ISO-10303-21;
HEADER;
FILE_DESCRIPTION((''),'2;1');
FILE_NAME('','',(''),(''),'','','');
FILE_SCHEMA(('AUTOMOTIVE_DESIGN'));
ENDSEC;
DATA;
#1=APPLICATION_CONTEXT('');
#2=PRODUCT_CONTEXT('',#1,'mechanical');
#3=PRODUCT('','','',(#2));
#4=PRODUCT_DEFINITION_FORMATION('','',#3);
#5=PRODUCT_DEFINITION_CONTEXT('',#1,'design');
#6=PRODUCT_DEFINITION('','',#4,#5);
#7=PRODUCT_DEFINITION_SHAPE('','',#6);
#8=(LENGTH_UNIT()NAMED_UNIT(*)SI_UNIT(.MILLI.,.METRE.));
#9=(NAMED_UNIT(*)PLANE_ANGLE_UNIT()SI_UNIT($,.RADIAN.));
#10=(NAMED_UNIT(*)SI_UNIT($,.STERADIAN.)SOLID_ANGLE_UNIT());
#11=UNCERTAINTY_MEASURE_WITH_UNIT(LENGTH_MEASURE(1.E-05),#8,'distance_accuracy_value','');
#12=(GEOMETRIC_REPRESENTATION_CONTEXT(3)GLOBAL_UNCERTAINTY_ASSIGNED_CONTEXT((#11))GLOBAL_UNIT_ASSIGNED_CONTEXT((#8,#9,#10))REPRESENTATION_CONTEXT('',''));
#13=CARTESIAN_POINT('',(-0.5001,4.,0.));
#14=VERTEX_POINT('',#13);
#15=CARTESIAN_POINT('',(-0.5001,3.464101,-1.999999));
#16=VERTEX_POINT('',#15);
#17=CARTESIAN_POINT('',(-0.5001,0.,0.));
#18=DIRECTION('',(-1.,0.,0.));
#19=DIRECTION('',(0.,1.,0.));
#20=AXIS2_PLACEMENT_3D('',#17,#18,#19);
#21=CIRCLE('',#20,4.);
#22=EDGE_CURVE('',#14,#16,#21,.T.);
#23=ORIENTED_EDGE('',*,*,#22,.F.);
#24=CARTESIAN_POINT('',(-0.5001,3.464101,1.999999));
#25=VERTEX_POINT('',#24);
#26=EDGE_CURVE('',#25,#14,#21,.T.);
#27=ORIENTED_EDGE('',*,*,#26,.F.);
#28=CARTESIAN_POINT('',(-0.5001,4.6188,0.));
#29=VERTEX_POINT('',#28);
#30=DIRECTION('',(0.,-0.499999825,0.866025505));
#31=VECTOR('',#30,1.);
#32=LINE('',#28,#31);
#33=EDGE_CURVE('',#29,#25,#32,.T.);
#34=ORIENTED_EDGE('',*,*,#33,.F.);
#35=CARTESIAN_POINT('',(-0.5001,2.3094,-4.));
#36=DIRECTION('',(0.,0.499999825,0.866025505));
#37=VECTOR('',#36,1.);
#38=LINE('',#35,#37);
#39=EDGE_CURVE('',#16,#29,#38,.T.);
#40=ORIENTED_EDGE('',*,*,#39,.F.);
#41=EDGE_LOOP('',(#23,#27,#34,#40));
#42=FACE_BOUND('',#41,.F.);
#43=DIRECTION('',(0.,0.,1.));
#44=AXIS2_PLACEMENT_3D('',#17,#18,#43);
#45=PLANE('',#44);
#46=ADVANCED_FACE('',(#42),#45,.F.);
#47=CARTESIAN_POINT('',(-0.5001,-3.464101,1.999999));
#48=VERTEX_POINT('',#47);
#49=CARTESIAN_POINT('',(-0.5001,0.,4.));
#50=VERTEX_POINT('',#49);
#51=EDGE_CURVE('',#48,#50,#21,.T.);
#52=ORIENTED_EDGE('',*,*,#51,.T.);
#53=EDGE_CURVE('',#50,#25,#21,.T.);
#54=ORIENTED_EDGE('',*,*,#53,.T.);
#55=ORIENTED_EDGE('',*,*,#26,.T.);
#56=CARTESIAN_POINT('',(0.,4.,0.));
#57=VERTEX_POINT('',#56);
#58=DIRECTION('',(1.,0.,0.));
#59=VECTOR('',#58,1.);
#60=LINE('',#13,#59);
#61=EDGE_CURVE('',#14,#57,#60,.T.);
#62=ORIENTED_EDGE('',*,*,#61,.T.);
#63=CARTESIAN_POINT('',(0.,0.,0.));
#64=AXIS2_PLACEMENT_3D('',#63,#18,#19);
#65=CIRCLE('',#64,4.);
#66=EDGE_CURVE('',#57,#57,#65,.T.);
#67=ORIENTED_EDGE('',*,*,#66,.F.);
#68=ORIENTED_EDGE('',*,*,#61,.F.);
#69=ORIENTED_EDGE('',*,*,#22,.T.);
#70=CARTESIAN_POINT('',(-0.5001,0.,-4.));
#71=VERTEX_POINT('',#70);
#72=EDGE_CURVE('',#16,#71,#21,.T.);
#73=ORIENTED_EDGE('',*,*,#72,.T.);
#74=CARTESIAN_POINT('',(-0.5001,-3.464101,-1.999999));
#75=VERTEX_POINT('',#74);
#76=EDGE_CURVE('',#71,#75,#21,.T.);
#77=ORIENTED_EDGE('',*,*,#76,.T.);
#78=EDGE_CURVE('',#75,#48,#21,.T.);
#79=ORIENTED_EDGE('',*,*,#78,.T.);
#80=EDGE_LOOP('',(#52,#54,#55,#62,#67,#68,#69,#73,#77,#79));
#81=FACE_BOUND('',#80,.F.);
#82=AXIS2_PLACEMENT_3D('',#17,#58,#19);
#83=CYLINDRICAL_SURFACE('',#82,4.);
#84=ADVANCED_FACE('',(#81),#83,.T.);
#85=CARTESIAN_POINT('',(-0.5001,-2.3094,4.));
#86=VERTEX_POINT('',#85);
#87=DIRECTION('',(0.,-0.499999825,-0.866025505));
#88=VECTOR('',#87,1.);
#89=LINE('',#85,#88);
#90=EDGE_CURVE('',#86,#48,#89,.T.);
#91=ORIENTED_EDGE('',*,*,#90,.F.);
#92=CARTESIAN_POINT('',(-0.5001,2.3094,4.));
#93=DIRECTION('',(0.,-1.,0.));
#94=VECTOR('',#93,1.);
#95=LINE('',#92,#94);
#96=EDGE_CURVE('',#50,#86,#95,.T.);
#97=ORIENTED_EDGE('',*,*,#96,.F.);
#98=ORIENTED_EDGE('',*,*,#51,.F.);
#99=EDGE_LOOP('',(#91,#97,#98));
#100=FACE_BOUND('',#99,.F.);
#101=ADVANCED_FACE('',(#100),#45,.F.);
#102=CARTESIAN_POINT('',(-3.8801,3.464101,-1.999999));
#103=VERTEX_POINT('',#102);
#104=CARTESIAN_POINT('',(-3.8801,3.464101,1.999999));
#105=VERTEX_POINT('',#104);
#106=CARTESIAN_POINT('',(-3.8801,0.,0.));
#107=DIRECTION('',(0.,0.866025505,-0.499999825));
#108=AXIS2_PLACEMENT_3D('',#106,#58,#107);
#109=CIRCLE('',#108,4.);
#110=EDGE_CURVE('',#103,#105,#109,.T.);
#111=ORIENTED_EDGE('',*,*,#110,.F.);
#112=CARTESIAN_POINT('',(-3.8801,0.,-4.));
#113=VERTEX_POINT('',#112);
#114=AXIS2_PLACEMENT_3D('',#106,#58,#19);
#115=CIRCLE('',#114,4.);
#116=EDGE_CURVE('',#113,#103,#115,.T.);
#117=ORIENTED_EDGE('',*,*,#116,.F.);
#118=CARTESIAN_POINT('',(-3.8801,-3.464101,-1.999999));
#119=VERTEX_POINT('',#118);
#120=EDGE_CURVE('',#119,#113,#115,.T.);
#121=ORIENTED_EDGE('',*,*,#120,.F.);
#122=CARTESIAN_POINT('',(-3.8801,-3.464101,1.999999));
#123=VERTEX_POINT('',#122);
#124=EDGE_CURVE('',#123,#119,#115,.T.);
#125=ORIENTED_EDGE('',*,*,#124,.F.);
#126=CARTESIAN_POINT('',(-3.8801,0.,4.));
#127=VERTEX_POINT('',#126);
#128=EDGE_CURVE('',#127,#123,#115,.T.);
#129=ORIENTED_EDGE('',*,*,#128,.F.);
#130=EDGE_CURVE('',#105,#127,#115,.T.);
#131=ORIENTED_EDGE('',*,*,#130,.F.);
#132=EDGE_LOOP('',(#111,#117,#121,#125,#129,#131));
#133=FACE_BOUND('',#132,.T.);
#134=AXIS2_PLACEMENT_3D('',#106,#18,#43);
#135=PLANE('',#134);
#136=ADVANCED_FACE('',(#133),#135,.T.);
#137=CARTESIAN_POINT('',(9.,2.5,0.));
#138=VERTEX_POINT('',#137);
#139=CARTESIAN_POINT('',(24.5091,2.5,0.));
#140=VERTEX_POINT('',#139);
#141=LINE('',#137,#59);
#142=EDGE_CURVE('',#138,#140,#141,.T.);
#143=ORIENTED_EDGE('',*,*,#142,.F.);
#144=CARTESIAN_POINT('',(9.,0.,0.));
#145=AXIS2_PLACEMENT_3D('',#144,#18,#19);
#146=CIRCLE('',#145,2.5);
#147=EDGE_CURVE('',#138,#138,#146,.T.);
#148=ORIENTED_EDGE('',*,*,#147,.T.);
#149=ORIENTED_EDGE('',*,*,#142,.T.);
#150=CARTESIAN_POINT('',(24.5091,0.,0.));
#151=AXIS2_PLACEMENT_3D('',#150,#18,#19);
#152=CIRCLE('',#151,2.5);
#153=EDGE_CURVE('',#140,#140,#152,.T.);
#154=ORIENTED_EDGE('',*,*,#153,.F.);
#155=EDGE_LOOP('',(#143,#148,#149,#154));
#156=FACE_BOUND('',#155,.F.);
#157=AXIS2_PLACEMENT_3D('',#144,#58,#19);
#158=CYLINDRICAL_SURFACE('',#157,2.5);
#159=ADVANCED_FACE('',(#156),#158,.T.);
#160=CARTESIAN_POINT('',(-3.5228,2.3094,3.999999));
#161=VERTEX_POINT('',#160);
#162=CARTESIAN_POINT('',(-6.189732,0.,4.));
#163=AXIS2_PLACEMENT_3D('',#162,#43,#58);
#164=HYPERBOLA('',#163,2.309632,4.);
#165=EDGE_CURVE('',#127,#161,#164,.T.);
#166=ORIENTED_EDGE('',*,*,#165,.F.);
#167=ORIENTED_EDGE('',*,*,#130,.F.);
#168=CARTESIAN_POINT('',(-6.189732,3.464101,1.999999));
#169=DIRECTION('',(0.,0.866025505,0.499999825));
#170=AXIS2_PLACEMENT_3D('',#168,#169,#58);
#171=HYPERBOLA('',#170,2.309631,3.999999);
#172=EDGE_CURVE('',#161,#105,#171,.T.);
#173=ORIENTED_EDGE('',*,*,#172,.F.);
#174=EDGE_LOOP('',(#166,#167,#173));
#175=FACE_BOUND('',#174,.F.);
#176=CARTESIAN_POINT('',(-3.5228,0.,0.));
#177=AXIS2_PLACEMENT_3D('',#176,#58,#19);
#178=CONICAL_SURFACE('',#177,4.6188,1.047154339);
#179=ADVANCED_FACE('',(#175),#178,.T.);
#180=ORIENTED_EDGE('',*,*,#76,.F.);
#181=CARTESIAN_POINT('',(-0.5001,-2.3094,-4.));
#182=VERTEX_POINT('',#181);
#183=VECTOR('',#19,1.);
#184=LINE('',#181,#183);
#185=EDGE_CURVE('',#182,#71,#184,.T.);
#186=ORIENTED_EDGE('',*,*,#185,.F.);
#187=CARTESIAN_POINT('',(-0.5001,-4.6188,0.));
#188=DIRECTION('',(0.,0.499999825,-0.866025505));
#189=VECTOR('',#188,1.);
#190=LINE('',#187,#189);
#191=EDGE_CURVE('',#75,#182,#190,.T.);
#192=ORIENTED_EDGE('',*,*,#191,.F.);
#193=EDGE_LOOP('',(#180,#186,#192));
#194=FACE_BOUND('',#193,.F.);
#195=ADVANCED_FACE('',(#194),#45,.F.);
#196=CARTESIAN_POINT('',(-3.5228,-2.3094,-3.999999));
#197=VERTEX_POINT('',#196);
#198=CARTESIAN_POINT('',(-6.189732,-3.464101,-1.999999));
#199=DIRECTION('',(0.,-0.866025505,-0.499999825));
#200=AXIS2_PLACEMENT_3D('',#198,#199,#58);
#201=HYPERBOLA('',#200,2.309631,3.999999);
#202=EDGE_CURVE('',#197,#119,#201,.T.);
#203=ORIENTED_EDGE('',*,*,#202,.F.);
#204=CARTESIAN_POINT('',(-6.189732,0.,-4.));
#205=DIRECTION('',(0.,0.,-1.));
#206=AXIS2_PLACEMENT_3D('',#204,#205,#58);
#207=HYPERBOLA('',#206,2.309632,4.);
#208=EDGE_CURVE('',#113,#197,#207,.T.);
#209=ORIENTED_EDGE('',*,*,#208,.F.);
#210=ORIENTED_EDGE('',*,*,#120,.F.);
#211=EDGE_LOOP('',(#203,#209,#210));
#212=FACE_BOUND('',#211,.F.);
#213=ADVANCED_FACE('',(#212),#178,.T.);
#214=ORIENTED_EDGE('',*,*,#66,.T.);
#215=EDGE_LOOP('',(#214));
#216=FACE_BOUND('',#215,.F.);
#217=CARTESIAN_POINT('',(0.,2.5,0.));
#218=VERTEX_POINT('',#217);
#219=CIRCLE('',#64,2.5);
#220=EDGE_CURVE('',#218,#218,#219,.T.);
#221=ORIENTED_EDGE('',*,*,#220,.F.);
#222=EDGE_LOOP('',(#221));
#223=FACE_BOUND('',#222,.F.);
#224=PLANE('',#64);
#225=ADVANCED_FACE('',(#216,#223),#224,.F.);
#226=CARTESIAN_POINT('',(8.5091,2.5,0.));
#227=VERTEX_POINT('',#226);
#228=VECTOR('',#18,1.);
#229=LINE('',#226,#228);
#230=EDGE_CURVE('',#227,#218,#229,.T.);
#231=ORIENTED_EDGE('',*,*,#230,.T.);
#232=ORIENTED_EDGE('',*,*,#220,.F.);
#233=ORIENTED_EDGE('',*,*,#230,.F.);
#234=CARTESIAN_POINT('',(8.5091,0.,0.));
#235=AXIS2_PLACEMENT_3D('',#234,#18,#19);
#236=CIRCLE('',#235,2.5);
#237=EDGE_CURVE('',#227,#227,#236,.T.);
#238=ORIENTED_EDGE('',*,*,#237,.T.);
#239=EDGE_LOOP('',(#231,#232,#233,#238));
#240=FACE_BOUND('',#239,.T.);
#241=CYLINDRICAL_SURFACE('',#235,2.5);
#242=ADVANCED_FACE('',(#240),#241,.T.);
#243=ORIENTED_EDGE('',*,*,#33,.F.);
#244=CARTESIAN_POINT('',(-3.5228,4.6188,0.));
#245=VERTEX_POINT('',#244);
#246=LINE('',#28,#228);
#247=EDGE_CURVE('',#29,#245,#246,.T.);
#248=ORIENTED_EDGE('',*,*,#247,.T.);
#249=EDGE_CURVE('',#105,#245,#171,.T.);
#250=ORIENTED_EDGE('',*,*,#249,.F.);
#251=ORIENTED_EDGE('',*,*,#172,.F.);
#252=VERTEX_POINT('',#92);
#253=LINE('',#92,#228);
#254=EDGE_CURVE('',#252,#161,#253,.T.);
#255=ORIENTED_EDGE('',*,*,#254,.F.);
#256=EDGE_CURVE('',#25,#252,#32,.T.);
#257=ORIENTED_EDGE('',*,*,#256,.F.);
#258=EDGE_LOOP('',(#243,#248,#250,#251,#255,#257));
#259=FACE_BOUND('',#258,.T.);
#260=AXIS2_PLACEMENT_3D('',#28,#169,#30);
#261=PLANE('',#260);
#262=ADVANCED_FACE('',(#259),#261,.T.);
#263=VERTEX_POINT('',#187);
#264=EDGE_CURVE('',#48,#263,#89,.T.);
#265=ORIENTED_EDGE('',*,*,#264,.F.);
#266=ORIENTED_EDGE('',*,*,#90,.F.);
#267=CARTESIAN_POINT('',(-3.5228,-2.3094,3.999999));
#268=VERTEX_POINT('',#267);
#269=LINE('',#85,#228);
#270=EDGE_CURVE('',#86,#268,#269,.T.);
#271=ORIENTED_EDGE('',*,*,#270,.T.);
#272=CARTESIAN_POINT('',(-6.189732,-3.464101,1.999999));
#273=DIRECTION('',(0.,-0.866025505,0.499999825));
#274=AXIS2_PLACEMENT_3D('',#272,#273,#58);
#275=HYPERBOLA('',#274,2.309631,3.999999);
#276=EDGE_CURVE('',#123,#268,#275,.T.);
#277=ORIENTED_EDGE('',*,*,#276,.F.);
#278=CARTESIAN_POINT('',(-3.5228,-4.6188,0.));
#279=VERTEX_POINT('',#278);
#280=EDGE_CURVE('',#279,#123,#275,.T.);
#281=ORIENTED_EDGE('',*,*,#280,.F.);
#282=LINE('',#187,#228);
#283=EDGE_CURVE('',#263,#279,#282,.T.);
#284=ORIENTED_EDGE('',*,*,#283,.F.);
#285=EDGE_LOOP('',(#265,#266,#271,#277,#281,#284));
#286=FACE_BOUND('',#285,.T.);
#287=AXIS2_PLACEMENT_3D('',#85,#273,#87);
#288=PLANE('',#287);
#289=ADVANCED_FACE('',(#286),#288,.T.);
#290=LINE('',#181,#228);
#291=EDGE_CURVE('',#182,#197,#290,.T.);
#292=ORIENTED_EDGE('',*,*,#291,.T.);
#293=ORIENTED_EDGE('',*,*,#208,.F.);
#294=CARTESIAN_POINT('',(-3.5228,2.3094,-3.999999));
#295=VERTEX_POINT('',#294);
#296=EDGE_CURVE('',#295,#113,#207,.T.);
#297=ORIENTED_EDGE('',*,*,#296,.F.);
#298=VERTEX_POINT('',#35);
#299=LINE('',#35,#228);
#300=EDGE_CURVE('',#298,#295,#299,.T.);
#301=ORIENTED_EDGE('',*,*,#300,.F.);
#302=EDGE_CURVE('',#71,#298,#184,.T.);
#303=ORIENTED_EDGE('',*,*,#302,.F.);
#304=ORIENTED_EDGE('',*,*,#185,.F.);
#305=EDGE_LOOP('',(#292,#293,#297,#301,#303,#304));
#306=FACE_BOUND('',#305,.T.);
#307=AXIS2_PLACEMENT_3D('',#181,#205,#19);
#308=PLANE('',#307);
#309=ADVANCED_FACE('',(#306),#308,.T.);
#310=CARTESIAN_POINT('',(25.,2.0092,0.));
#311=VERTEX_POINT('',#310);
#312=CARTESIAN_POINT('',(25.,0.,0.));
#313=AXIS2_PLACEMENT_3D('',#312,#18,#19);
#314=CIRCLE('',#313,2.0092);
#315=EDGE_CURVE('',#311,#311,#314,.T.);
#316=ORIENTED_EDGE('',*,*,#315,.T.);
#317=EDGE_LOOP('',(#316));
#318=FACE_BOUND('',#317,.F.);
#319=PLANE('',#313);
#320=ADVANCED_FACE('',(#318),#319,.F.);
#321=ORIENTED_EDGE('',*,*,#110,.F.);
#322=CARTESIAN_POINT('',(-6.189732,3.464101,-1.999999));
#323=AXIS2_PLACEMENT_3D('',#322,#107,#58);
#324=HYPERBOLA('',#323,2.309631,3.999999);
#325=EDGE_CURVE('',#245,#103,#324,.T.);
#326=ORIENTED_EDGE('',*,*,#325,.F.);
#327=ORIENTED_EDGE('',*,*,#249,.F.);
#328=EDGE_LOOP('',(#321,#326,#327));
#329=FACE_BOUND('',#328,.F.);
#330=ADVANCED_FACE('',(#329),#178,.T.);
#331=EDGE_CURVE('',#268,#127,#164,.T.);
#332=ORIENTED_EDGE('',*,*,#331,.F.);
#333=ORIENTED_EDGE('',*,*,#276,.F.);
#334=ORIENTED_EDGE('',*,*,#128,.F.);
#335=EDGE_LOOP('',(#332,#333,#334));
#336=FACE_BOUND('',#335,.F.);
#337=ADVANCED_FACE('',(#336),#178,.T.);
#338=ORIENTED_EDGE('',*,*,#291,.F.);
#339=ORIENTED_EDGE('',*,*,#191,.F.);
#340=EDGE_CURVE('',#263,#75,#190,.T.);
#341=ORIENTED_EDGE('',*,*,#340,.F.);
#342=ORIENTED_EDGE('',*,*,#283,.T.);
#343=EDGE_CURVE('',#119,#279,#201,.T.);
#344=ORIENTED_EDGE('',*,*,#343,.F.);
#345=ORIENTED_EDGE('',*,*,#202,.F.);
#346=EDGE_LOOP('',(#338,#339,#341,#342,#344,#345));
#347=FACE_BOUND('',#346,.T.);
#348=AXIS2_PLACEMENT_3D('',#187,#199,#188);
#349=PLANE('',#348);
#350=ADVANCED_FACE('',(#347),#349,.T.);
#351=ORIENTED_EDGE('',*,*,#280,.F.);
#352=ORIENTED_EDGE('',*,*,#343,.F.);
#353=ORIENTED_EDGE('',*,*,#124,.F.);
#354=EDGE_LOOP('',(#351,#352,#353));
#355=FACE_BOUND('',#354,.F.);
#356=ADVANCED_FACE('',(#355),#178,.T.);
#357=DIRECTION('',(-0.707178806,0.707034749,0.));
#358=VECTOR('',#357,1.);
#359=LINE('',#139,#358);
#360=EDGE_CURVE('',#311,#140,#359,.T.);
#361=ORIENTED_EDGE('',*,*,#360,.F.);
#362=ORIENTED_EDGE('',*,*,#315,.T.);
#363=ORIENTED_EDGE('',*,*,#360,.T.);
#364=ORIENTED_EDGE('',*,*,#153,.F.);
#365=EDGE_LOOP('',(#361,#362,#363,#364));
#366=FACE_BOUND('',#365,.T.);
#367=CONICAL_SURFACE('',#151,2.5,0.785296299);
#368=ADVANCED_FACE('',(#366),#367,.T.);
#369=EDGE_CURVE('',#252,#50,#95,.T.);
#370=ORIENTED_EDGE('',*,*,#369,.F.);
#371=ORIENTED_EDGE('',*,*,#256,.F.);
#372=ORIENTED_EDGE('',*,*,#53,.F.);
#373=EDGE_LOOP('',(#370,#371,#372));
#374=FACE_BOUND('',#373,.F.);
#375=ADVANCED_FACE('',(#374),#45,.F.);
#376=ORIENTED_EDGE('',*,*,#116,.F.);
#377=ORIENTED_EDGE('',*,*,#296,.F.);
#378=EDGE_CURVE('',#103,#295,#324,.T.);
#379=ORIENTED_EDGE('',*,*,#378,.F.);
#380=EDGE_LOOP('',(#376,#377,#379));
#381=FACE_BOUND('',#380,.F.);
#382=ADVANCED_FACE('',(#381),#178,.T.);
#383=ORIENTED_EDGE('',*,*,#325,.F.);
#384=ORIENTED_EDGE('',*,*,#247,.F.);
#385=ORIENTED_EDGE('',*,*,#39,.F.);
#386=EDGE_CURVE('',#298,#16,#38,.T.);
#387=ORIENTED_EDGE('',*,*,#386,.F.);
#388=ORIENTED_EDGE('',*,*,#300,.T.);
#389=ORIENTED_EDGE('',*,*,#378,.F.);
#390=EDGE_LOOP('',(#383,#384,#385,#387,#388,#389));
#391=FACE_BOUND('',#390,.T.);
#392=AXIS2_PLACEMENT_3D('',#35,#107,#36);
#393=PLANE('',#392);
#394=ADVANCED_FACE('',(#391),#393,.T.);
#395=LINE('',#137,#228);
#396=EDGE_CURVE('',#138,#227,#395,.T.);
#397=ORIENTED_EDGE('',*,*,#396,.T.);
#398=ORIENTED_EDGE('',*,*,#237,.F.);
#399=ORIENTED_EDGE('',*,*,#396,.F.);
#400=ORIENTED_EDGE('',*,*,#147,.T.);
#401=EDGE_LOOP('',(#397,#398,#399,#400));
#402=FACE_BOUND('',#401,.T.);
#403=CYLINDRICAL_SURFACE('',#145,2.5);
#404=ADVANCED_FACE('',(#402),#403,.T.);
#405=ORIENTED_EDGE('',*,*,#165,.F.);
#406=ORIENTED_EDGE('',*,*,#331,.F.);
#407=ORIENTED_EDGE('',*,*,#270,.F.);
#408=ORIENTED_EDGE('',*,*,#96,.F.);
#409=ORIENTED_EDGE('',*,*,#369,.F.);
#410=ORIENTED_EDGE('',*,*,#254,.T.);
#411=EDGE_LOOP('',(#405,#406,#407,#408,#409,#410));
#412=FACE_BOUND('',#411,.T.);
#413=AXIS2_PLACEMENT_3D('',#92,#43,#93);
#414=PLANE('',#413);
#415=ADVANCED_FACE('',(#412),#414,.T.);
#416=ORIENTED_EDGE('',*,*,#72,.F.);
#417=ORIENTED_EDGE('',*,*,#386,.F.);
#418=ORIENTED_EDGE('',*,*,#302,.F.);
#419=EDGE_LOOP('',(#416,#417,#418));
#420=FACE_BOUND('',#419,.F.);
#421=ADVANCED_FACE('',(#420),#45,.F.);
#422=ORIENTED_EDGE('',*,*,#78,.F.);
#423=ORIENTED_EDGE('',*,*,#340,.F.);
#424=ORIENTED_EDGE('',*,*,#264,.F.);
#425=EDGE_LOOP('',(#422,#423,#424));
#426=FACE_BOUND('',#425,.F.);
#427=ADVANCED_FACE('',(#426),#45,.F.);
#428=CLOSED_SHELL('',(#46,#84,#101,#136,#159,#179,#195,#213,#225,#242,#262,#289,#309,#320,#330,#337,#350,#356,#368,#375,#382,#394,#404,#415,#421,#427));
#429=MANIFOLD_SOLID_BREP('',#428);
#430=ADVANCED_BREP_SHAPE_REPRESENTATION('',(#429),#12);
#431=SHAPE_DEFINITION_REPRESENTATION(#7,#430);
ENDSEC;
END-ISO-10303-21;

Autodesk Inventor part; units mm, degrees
ref_plane "YZ Plane" through (0, 0, 0) normal (1, 0, 0) x (0, 1, 0)
ref_plane "XZ Plane" through (0, 0, 0) normal (0, 1, 0) x (-1, 0, 0)
sketch "Sketch1" plane through (0, 0, 0) normal (0, 0, 1) x (1, 0, 0)
  line L0 (0, 4) -> (0, 2.5)
  line L1 (9, 2.5) -> (25, 2.5)
  line L2 (25, 2.5) -> (25, 0)
  line L3 (25, 0) -> (-0.5001, 0)
  line L4 (-5.6001, 0) -> (30.1, 0) projected
  line L5 (-0.5001, 0) -> (-0.5001, 4)
  line L6 (-0.5001, 4) -> (0, 4)
  line L7 (9, 2.5) -> (8.5091, 2.5)
  line L8 (8.5091, 2.5) -> (0, 2.5)
  line L9 (0, -0.8) -> (0, 4.8) projected
  dimension "d0" = 25
  dimension "d1" = 16
  dimension "d2" = 5
  dimension "d9" = 0.5001
  dimension "d10" = 8
  dimension "d13" = 0.4909
  dimension "d14" = 5
revolve "Body" add sketch "Sketch1" angle 360 about axis through (25, 0, 0) along (-1, 0, 0)
sketch "Sketch2" plane through (-0.5001, 0, 0) normal (-1, 0, 0) x (0, 0, 1)
  line L0 (0, 4.6188) -> (4, 2.3094)
  line L1 (4, 2.3094) -> (4, -2.3094)
  line L2 (4, -2.3094) -> (0, -4.6188)
  line L3 (0, -4.6188) -> (-4, -2.3094)
  line L4 (-4, -2.3094) -> (-4, 2.3094)
  line L5 (-4, 2.3094) -> (0, 4.6188)
  point P0 (0, 0)
  point P1 (0, 0)
  dimension "d11" = 8
extrude "Head" add sketch "Sketch2" along normal blind 3.38
sketch "Sketch4" plane through (0, 0, 0) normal (0, 0, 1) x (1, 0, 0)
  line L0 (-3.8801, 4) -> (-3.8801, 4.6188)
  line L1 (-3.8801, 4.6188) -> (-3.5228, 4.6188)
  line L2 (-3.5228, 4.6188) -> (-3.8801, 4)
  line L3 (-4.5561, 0) -> (0.1759, 0) projected
  line L4 (-0.5001, 4.6188) -> (-3.8801, 4.6188) projected
  line L5 (-3.8801, 2.3094) -> (-3.8801, 4.6188) projected
  dimension "d5" = 30
  dimension "d19" = 8
revolve "Chamfer1" cut sketch "Sketch4" angle 360 about axis through (-10, 0, 0) along (1, 0, 0)
thread "Thread" size "M5x0.8" class "6g" standard "ISO Metric profile" length 16
chamfer "Chamfer2" distance 0.4908 distance2 0.4909 1 edges at (25, -2.5, 0) measured on face at (25, 0.7379, -0.3873)
ref_plane "Work Plane1" through (1.525, 0, 0) normal (0, 0, 1) x (1, 0, 0)
equation "\"d0\" = NLG"
equation "\"d1\" = GEL"
equation "\"d2\" = GD"
equation "\"d10\" = SD2"
equation "\"d14\" = BDM"
equation "\"d11\" = SW"
equation "\"d3\" = KOH - SD"
equation "\"d5\" = ANG1"
equation "\"d19\" = SW0"
equation "\"d15\" = GEL"
equation "\"d6\" = -0.5 * SPD + 0.5 * GD"
equation "\"NLG\" = 25"
equation "\"GD\" = NND"
equation "\"BDM\" = NND"
equation "\"KOH\" = 3.88"
equation "\"GEL\" = 16"
equation "\"SW\" = 8"
equation "\"SW0\" = SW"
equation "\"SPD\" = NND - 1.2269 * PTC"
equation "\"SD2\" = SW"
equation "\"SD\" = 0.5"
equation "\"ANG1\" = 30deg"
equation "\"GAL\" = 0.61345 * PTC"
equation "\"GUL\" = 0.61345 * PTC"
equation "\"RR\" = 0.2"
equation "\"WFT\" = SD"
equation "\"GD1\" = THREADDIA - 1.2269 * PTC"
equation "\"THREADDIA\" = 5"
equation "\"SDH\" = SW"
equation "\"TOA\" = 30deg"
equation "\"FAWI\" = 45deg"
equation "\"PTC\" = 0.8"
equation "\"NND\" = 5"
equation "\"E0\" = 1.155 * SW"
properties part number "AS 1111 - M5 x 25" material "Steel, Mild"
